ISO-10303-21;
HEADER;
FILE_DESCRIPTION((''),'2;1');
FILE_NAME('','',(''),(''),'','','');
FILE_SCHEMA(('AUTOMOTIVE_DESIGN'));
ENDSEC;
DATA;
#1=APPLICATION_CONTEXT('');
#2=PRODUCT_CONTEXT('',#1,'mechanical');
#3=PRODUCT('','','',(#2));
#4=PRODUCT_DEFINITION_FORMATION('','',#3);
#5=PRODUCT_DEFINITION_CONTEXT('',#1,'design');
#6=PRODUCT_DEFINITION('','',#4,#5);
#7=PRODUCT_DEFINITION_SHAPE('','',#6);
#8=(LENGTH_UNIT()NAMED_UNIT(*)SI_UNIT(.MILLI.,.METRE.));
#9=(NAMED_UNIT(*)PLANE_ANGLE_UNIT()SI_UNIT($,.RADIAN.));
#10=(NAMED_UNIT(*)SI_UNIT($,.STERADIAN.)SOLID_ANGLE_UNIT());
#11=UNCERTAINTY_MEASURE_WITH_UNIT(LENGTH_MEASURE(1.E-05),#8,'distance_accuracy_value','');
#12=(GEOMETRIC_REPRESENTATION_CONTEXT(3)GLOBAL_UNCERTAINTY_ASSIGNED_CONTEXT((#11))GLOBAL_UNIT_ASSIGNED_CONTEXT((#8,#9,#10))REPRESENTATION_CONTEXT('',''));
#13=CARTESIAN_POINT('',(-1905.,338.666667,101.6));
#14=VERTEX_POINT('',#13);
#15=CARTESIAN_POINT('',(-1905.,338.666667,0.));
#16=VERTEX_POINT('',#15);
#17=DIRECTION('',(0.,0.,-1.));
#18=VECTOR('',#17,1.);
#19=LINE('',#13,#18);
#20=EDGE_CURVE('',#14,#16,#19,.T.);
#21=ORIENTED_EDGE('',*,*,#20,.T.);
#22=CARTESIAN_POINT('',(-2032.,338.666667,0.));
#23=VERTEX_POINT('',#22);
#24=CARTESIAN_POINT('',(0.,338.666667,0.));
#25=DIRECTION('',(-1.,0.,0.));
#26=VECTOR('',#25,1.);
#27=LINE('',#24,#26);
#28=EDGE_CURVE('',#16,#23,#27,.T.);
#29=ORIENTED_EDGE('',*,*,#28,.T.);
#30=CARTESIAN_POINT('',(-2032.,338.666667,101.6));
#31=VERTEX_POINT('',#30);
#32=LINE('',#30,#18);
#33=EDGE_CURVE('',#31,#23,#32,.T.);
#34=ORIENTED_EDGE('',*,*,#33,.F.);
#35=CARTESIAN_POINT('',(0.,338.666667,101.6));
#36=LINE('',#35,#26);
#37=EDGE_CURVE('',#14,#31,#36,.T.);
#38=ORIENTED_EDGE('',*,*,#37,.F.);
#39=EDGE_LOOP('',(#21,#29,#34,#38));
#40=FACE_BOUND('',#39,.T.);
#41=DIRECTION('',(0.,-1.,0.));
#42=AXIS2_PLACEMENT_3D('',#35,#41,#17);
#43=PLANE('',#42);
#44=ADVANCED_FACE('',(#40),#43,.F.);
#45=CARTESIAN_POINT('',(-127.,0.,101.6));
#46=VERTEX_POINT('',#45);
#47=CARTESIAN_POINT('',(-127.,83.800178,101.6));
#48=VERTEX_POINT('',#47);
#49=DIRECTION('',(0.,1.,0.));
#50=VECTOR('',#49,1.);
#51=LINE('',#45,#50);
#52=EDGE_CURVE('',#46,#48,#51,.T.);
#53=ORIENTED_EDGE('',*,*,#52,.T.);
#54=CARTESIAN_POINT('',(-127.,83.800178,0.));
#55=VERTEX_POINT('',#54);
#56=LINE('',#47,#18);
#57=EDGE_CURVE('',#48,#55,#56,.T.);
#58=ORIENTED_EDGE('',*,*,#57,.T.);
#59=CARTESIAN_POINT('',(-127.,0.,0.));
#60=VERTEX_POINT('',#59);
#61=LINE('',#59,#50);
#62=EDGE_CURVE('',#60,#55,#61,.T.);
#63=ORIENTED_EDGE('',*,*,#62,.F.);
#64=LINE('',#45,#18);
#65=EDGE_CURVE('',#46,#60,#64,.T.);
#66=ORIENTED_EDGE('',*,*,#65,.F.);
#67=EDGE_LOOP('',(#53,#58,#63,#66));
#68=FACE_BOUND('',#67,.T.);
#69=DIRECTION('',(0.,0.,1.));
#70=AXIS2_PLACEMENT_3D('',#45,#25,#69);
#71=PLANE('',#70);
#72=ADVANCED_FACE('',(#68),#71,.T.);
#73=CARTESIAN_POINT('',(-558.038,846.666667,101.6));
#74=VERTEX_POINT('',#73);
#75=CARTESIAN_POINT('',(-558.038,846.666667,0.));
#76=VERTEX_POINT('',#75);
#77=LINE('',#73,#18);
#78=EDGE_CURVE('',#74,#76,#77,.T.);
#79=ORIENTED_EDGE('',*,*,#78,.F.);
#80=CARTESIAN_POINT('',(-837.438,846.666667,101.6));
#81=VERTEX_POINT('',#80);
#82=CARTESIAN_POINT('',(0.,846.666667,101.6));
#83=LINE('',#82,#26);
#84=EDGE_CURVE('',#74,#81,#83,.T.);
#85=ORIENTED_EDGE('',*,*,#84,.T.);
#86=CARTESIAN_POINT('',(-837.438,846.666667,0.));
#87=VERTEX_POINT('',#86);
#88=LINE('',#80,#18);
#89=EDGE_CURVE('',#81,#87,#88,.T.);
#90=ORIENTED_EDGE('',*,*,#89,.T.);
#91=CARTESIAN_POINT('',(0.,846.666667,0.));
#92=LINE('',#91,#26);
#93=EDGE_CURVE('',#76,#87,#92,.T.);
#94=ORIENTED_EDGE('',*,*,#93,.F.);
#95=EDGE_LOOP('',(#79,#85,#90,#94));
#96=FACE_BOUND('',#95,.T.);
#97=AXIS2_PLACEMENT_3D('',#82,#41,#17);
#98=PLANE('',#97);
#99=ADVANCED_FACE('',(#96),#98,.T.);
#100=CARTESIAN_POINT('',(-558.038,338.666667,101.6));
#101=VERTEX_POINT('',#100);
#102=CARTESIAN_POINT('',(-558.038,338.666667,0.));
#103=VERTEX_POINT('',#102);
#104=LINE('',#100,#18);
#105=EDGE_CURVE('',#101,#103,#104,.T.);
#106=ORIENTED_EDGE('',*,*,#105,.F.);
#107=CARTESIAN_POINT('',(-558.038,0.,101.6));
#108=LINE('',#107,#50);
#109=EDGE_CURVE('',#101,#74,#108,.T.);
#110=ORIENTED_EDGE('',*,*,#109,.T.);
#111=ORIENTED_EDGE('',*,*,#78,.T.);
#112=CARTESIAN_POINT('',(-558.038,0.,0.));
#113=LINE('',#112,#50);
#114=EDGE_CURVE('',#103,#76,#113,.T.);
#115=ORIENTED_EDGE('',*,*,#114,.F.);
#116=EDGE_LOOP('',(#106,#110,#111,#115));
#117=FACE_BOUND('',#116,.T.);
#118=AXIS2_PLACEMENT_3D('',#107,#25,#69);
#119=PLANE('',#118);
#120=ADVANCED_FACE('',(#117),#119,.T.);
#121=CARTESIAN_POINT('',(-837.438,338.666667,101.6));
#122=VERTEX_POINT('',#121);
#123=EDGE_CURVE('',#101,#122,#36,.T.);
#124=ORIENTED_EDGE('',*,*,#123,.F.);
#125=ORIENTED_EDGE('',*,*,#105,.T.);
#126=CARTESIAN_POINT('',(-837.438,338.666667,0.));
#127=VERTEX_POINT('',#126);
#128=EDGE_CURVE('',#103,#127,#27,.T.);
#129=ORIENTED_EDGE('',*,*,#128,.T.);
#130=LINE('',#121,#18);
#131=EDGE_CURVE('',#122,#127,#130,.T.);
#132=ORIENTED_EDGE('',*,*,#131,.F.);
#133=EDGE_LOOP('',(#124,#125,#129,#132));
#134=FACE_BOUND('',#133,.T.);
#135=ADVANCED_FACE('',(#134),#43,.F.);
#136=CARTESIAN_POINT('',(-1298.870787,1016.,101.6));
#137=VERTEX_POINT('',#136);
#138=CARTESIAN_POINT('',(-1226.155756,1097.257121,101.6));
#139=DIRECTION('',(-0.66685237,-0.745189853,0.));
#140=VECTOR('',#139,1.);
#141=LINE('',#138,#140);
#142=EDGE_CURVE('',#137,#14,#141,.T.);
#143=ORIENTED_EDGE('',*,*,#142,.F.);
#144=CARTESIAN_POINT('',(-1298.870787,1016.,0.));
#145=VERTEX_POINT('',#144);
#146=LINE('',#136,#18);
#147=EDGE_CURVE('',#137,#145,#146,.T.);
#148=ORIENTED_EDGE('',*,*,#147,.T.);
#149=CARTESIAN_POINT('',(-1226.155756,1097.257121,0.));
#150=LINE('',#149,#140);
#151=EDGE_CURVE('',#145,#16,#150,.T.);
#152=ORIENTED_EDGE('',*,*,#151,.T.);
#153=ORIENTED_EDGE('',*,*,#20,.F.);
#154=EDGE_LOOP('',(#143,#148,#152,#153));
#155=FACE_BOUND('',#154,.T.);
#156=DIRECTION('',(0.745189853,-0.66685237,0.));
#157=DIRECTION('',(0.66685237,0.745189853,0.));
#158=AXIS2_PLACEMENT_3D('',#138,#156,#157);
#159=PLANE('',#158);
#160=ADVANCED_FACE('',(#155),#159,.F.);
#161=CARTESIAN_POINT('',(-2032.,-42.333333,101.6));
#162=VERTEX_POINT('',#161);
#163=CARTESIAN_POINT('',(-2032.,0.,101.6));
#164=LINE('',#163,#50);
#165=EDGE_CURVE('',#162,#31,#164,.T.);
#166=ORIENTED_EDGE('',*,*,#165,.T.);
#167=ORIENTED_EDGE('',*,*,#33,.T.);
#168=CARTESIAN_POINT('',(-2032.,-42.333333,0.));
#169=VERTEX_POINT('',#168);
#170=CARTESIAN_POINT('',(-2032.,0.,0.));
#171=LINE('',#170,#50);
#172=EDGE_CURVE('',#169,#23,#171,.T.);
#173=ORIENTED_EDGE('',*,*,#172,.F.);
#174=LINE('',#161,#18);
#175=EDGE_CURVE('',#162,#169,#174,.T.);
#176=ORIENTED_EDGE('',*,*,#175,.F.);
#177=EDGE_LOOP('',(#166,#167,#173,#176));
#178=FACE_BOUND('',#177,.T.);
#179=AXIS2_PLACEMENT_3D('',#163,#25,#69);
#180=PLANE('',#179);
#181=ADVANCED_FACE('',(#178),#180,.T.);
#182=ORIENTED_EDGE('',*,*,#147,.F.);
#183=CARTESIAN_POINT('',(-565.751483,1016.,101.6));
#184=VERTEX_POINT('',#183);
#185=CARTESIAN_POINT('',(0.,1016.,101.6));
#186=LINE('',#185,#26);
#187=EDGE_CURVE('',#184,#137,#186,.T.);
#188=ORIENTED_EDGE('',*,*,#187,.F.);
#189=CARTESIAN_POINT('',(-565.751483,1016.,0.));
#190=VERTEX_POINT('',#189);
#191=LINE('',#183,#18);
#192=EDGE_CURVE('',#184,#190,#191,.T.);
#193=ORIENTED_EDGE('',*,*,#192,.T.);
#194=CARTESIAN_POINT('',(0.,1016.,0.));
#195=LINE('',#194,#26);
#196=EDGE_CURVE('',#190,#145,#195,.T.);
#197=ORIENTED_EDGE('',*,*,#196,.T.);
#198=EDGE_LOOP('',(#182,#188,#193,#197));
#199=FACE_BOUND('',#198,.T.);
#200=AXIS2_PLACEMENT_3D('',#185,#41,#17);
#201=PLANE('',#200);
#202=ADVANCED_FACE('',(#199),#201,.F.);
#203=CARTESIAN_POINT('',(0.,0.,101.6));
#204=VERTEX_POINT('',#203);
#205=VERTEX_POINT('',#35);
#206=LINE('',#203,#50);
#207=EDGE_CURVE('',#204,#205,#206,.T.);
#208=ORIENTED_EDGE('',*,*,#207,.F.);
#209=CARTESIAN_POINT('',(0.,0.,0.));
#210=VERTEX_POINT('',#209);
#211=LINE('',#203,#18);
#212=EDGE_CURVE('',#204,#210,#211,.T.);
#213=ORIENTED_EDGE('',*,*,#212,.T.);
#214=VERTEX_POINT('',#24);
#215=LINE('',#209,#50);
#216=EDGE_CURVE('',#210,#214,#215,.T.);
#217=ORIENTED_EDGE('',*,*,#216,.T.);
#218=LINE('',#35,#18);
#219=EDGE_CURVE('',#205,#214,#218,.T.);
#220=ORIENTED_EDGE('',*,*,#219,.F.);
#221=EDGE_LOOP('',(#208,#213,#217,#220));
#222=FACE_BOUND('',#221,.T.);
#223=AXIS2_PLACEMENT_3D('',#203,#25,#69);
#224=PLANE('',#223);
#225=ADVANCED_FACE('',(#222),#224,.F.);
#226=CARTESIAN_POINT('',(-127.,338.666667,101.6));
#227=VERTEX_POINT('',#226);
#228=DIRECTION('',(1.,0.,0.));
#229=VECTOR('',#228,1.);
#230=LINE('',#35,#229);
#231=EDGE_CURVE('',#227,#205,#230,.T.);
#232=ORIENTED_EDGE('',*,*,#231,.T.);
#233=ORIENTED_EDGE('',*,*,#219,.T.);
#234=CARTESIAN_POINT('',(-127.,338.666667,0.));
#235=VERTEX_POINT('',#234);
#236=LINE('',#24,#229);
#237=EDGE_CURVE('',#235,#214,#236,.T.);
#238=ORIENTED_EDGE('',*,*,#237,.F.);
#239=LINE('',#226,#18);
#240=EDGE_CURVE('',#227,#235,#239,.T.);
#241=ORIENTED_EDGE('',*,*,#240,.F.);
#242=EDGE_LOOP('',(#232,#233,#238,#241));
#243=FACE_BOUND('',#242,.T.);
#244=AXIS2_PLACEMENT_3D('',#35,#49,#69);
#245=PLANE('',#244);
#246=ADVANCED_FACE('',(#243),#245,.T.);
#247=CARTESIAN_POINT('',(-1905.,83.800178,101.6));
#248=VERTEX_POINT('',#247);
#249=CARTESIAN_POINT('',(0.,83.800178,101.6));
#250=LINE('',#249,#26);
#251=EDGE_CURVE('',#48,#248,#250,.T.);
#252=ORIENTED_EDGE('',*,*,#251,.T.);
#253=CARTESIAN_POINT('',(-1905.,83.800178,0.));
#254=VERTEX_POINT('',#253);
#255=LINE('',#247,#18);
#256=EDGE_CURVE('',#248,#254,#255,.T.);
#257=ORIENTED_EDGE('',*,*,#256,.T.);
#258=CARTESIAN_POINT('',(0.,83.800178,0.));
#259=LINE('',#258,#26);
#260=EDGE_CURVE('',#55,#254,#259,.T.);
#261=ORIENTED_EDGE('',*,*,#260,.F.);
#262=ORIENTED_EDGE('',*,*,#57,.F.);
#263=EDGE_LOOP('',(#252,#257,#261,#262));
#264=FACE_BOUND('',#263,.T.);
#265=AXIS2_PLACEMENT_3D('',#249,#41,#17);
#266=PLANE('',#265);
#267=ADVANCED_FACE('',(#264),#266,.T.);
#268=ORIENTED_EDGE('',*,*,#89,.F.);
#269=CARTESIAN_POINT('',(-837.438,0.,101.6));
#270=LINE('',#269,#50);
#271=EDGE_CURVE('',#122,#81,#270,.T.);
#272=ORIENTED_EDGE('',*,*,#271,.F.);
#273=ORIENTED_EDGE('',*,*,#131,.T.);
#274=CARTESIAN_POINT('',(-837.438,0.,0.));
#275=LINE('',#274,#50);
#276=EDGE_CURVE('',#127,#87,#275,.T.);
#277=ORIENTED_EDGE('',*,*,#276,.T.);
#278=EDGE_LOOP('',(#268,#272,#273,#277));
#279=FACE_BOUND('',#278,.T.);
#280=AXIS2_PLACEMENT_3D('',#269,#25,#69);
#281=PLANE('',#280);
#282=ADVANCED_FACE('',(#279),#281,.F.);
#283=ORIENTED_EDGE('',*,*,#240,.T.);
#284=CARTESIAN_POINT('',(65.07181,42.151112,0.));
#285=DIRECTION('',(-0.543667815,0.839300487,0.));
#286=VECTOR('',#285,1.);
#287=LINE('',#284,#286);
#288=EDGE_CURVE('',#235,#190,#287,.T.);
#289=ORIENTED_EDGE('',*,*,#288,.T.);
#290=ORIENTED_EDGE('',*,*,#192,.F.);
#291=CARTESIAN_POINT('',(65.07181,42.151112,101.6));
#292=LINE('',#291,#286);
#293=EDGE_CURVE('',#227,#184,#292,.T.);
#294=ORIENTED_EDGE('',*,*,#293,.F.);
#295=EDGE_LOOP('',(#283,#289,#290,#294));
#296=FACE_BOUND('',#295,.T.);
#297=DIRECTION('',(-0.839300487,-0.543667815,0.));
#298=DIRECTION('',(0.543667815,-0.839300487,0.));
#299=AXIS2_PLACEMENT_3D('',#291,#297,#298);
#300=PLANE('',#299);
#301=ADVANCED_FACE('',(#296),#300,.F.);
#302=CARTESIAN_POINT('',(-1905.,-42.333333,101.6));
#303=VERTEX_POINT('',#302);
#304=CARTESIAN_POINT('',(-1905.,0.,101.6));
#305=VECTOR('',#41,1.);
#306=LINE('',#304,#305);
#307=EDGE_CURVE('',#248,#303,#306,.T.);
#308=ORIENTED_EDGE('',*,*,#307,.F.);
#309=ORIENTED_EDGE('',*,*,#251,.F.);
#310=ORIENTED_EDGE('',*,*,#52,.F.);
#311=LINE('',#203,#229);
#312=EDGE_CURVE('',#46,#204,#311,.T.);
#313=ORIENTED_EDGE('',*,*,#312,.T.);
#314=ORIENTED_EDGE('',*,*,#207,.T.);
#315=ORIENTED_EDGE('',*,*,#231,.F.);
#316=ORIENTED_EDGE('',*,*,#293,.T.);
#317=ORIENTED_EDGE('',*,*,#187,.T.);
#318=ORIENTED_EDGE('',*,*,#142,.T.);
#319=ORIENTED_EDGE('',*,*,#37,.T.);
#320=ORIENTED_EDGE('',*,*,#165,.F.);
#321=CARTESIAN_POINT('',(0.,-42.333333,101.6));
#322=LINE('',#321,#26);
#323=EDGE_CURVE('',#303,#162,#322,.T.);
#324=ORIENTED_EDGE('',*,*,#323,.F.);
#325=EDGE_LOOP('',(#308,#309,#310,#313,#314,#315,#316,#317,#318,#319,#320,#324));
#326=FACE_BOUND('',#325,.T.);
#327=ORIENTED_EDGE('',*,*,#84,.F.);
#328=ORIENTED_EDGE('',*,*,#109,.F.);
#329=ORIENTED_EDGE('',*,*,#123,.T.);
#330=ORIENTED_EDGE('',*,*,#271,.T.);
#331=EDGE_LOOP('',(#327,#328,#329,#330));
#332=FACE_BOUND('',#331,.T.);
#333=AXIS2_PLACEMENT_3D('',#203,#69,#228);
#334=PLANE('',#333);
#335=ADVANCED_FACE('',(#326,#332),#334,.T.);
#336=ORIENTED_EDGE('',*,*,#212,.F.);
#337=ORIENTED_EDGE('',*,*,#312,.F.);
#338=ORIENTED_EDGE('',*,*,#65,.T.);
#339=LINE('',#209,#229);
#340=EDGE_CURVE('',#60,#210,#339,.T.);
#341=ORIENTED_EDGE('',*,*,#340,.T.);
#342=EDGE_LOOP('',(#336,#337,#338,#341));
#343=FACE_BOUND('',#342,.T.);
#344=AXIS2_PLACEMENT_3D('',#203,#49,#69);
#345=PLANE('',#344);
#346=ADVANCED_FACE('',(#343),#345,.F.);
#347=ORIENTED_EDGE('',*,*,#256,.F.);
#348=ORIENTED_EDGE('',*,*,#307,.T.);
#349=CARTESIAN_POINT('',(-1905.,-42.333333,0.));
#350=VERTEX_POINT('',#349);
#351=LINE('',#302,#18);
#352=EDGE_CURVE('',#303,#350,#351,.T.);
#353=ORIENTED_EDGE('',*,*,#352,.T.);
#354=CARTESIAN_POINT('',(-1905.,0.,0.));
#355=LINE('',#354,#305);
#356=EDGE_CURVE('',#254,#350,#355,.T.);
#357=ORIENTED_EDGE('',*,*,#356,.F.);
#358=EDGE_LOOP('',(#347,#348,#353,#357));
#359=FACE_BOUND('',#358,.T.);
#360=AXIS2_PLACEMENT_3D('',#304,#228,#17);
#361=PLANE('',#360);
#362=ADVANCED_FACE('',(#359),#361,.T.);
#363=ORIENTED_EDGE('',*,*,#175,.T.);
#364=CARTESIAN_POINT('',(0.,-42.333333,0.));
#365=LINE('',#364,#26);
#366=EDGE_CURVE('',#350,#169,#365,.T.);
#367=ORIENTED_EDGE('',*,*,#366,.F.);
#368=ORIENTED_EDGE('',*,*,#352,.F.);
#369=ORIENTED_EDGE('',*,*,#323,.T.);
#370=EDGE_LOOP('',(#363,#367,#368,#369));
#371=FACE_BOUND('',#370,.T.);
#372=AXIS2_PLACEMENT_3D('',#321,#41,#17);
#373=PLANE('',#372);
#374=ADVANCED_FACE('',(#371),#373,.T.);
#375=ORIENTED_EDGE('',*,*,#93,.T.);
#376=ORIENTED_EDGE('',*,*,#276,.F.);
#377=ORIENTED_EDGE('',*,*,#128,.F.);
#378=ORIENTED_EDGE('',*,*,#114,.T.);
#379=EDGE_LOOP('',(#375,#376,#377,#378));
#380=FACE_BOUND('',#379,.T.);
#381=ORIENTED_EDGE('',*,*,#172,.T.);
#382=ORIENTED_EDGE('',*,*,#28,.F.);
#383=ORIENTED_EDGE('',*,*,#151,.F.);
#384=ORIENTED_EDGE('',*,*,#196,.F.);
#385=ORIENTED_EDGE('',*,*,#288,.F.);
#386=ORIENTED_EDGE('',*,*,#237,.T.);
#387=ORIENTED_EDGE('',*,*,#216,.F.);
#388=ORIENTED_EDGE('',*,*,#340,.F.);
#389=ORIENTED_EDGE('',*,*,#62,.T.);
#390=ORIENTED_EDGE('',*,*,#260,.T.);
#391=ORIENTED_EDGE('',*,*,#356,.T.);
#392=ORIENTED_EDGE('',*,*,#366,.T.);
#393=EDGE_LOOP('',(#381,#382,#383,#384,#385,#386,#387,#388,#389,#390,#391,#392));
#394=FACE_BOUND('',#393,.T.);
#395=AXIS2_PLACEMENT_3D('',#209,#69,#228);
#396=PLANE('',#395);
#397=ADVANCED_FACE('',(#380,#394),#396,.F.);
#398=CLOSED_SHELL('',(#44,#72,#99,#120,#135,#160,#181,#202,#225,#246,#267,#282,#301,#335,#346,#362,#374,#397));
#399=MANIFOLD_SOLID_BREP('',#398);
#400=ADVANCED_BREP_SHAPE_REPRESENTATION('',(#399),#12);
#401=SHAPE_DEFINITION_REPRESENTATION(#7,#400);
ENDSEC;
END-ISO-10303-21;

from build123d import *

# Parameters (mm, degrees)
SKETCH2_W           = 279.4
SKETCH2_H           = 508
BOSS_EXTRUDE2_DEPTH = 101.6


with BuildPart() as part:
    # Sketch2 → Boss-Extrude2 (new body)
    with BuildSketch(Plane.XY):
        Polygon((-127, 338.666666667), (0, 338.666666667), (0, 0), (-127, 0), (-127, 83.800178309), (-1905, 83.800178309), (-1905, -42.333333333), (-2032, -42.333333333), (-2032, 338.666666667), (-1905, 338.666666667), (-1298.870787435, 1016), (-565.751483096, 1016), align=None)
        with Locations((-697.738, 592.666666667)):
            Rectangle(SKETCH2_W, SKETCH2_H, mode=Mode.SUBTRACT)
    extrude(amount=BOSS_EXTRUDE2_DEPTH)


solid = part.part
